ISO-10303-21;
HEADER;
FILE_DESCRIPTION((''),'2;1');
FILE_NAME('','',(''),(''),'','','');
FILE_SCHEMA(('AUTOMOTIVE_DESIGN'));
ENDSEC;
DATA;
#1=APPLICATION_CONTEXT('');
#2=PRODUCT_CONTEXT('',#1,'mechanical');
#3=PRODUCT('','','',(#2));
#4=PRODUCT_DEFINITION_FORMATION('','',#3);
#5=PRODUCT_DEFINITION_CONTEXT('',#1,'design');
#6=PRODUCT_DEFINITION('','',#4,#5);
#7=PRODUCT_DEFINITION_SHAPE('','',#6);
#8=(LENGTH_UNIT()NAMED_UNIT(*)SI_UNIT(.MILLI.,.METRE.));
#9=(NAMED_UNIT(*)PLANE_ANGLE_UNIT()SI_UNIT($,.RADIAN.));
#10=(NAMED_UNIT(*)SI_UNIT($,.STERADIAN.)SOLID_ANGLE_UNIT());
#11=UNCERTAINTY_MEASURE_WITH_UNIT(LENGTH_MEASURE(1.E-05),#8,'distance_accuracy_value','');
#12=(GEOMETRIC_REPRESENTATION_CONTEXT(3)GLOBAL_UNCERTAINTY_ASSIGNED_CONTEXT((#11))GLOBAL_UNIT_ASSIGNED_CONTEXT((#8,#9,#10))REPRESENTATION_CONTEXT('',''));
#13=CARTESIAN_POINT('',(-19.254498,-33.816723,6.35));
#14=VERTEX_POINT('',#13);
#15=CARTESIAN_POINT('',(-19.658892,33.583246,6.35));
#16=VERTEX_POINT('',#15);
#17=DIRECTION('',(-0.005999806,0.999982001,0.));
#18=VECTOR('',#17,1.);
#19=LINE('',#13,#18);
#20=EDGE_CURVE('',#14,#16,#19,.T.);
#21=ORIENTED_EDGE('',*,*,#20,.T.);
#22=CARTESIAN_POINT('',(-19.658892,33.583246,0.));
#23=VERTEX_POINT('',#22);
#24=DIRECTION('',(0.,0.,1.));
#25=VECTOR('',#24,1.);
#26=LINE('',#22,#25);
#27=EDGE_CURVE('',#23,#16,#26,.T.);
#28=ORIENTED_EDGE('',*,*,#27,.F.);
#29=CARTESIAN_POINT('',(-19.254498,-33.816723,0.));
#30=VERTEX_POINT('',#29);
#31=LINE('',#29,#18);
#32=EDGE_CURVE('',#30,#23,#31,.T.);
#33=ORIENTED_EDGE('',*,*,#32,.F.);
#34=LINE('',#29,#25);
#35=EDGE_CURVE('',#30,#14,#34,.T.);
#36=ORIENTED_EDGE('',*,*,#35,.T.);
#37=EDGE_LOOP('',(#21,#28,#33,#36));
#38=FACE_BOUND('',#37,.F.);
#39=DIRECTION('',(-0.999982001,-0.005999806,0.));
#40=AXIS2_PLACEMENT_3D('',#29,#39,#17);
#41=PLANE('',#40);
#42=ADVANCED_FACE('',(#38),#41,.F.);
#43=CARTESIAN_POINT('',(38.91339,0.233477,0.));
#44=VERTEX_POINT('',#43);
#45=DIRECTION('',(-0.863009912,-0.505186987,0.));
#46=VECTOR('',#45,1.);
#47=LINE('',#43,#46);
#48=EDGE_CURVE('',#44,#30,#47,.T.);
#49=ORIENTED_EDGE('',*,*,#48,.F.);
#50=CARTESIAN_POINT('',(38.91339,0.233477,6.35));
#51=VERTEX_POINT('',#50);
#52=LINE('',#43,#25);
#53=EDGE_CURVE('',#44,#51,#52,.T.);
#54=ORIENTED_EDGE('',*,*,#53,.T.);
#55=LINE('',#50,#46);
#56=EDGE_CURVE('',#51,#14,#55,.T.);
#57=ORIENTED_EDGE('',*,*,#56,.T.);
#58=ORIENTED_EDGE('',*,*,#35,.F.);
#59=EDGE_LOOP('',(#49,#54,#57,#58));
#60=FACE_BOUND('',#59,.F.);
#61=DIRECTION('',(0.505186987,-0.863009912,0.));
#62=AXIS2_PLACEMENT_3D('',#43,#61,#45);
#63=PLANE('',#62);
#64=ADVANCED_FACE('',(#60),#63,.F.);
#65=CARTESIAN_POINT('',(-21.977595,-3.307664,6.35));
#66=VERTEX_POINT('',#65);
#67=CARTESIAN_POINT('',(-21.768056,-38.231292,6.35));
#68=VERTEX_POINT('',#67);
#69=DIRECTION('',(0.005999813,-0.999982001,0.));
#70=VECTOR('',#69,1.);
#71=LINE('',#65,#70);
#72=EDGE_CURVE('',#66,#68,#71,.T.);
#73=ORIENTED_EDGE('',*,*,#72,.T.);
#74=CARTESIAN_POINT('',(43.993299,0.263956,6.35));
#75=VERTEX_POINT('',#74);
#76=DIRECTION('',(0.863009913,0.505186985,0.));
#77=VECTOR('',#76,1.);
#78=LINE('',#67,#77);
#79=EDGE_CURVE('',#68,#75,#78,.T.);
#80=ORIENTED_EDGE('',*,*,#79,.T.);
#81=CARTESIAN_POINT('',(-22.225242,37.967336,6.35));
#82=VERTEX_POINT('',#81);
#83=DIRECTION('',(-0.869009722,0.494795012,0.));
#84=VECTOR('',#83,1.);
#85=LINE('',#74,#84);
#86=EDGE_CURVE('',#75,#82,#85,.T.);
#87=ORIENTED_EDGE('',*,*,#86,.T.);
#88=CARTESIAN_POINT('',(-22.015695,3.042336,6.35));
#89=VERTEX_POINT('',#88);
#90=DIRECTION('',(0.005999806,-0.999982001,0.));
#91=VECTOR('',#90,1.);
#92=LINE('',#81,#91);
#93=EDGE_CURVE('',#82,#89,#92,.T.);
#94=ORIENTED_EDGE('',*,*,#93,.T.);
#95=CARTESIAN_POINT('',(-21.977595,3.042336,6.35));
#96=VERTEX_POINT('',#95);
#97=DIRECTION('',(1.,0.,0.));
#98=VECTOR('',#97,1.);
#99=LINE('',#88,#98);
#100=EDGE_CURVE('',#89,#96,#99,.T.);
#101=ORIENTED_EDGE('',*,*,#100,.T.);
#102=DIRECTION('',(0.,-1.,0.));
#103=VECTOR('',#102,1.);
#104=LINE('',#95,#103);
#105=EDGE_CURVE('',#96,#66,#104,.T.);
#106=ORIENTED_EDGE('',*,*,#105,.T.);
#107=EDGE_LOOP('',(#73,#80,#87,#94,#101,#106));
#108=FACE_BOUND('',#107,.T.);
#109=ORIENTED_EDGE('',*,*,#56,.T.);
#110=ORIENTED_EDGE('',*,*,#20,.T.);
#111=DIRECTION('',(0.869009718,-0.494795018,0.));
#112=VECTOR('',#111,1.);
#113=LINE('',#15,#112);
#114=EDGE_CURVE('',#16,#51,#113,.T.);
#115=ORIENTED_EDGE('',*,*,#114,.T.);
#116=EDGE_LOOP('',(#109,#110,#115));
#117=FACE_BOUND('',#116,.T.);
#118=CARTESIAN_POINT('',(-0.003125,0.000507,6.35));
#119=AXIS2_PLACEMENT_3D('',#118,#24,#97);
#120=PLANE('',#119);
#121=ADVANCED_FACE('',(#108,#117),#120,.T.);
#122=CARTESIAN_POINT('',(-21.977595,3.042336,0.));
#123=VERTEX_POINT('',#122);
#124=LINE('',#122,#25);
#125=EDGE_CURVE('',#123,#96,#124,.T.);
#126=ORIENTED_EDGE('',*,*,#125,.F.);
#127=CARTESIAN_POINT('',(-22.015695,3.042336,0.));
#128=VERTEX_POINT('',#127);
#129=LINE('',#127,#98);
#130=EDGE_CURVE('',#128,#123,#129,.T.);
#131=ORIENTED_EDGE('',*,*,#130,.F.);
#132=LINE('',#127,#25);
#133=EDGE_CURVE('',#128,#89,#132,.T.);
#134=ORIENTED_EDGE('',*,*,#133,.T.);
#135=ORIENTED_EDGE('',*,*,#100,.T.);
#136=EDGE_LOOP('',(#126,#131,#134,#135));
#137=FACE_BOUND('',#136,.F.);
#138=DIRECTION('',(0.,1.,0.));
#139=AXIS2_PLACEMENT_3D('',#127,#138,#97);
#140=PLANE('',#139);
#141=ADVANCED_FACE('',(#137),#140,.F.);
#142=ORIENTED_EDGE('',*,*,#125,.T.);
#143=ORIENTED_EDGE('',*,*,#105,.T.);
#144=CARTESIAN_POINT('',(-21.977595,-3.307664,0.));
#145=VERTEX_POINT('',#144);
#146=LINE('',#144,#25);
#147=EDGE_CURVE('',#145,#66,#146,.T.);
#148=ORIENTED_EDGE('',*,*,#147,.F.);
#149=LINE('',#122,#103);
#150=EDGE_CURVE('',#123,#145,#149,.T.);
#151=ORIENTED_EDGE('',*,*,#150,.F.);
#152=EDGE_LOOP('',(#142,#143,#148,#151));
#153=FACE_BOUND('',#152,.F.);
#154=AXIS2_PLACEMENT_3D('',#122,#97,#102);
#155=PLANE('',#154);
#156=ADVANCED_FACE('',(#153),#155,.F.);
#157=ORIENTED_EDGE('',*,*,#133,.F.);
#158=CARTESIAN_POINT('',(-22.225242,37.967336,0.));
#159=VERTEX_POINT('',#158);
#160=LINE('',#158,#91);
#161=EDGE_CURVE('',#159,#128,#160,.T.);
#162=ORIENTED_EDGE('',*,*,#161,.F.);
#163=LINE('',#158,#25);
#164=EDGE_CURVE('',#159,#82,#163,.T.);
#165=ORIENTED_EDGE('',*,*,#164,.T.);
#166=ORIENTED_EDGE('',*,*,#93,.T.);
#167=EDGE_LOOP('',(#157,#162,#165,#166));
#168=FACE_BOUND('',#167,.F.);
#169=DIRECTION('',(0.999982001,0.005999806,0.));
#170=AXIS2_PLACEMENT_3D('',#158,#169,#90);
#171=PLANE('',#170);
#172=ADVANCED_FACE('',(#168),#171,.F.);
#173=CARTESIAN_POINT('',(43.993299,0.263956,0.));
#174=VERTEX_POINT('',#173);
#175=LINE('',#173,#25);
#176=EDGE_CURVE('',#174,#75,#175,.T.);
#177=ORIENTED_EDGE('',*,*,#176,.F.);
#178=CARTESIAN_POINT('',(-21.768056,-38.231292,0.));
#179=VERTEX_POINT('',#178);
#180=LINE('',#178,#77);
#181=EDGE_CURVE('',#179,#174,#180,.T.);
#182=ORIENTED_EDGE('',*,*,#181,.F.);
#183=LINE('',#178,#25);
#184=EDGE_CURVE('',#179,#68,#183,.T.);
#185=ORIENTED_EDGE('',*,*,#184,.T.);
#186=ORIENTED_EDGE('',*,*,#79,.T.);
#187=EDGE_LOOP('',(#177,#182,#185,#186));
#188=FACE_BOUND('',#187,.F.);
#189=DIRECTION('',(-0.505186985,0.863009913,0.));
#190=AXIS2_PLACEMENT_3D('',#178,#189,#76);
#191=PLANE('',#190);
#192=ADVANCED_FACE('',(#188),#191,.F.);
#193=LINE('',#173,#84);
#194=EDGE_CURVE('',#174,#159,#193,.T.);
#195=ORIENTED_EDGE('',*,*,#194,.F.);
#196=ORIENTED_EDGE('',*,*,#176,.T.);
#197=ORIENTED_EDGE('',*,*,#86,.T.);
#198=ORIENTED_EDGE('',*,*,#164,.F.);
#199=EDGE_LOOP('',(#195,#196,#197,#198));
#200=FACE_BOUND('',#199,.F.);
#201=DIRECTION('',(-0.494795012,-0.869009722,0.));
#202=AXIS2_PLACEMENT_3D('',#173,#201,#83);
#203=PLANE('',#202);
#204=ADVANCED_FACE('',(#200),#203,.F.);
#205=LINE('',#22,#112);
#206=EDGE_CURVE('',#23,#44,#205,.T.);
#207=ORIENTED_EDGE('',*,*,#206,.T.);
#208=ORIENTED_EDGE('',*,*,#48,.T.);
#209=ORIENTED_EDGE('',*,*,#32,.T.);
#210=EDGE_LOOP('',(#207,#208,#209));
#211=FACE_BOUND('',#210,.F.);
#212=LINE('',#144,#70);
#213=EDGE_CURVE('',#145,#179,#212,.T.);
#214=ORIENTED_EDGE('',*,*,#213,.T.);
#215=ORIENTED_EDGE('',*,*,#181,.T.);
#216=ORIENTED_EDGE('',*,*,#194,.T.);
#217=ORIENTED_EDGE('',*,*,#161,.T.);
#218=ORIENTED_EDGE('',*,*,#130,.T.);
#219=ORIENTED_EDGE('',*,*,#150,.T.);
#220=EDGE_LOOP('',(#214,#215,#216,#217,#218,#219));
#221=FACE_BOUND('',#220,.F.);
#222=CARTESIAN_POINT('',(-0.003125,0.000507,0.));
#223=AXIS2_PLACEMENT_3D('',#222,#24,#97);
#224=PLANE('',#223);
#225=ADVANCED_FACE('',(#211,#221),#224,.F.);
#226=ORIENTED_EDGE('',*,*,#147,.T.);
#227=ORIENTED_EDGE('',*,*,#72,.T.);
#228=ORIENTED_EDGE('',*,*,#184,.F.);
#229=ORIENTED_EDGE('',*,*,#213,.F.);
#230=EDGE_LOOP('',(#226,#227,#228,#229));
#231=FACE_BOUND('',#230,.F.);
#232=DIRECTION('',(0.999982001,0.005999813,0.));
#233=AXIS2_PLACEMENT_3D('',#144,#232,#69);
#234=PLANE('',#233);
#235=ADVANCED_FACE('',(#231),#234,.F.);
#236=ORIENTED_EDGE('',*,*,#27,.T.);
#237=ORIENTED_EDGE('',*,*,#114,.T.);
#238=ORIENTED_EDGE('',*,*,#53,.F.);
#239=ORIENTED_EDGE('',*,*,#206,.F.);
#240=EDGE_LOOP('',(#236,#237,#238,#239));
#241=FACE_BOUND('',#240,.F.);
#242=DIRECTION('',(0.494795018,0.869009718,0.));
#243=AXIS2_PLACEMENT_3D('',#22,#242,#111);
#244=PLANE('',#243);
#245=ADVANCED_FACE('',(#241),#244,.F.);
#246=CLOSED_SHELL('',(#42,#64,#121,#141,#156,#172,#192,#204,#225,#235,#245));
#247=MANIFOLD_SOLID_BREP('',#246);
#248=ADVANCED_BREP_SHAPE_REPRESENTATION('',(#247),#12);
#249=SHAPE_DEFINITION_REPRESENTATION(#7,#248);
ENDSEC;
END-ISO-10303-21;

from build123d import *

# Parameters (mm, degrees)
F1_DEPTH = 6.35


with BuildPart() as f1:
    # F0 (on Top) → F1 (new body)
    with BuildSketch(Plane.XY):
        Polygon((43.993299, 0.263956), (-22.225242, 37.967336), (-22.015695, 3.042336), (-21.977595, 3.042336), (-21.977595, -3.307664), (-21.768056, -38.231292), align=None)
        Polygon((38.91339, 0.233477), (-19.254498, -33.816723), (-19.658892, 33.583246), align=None, mode=Mode.SUBTRACT)
    extrude(amount=F1_DEPTH)


solid = f1.part
